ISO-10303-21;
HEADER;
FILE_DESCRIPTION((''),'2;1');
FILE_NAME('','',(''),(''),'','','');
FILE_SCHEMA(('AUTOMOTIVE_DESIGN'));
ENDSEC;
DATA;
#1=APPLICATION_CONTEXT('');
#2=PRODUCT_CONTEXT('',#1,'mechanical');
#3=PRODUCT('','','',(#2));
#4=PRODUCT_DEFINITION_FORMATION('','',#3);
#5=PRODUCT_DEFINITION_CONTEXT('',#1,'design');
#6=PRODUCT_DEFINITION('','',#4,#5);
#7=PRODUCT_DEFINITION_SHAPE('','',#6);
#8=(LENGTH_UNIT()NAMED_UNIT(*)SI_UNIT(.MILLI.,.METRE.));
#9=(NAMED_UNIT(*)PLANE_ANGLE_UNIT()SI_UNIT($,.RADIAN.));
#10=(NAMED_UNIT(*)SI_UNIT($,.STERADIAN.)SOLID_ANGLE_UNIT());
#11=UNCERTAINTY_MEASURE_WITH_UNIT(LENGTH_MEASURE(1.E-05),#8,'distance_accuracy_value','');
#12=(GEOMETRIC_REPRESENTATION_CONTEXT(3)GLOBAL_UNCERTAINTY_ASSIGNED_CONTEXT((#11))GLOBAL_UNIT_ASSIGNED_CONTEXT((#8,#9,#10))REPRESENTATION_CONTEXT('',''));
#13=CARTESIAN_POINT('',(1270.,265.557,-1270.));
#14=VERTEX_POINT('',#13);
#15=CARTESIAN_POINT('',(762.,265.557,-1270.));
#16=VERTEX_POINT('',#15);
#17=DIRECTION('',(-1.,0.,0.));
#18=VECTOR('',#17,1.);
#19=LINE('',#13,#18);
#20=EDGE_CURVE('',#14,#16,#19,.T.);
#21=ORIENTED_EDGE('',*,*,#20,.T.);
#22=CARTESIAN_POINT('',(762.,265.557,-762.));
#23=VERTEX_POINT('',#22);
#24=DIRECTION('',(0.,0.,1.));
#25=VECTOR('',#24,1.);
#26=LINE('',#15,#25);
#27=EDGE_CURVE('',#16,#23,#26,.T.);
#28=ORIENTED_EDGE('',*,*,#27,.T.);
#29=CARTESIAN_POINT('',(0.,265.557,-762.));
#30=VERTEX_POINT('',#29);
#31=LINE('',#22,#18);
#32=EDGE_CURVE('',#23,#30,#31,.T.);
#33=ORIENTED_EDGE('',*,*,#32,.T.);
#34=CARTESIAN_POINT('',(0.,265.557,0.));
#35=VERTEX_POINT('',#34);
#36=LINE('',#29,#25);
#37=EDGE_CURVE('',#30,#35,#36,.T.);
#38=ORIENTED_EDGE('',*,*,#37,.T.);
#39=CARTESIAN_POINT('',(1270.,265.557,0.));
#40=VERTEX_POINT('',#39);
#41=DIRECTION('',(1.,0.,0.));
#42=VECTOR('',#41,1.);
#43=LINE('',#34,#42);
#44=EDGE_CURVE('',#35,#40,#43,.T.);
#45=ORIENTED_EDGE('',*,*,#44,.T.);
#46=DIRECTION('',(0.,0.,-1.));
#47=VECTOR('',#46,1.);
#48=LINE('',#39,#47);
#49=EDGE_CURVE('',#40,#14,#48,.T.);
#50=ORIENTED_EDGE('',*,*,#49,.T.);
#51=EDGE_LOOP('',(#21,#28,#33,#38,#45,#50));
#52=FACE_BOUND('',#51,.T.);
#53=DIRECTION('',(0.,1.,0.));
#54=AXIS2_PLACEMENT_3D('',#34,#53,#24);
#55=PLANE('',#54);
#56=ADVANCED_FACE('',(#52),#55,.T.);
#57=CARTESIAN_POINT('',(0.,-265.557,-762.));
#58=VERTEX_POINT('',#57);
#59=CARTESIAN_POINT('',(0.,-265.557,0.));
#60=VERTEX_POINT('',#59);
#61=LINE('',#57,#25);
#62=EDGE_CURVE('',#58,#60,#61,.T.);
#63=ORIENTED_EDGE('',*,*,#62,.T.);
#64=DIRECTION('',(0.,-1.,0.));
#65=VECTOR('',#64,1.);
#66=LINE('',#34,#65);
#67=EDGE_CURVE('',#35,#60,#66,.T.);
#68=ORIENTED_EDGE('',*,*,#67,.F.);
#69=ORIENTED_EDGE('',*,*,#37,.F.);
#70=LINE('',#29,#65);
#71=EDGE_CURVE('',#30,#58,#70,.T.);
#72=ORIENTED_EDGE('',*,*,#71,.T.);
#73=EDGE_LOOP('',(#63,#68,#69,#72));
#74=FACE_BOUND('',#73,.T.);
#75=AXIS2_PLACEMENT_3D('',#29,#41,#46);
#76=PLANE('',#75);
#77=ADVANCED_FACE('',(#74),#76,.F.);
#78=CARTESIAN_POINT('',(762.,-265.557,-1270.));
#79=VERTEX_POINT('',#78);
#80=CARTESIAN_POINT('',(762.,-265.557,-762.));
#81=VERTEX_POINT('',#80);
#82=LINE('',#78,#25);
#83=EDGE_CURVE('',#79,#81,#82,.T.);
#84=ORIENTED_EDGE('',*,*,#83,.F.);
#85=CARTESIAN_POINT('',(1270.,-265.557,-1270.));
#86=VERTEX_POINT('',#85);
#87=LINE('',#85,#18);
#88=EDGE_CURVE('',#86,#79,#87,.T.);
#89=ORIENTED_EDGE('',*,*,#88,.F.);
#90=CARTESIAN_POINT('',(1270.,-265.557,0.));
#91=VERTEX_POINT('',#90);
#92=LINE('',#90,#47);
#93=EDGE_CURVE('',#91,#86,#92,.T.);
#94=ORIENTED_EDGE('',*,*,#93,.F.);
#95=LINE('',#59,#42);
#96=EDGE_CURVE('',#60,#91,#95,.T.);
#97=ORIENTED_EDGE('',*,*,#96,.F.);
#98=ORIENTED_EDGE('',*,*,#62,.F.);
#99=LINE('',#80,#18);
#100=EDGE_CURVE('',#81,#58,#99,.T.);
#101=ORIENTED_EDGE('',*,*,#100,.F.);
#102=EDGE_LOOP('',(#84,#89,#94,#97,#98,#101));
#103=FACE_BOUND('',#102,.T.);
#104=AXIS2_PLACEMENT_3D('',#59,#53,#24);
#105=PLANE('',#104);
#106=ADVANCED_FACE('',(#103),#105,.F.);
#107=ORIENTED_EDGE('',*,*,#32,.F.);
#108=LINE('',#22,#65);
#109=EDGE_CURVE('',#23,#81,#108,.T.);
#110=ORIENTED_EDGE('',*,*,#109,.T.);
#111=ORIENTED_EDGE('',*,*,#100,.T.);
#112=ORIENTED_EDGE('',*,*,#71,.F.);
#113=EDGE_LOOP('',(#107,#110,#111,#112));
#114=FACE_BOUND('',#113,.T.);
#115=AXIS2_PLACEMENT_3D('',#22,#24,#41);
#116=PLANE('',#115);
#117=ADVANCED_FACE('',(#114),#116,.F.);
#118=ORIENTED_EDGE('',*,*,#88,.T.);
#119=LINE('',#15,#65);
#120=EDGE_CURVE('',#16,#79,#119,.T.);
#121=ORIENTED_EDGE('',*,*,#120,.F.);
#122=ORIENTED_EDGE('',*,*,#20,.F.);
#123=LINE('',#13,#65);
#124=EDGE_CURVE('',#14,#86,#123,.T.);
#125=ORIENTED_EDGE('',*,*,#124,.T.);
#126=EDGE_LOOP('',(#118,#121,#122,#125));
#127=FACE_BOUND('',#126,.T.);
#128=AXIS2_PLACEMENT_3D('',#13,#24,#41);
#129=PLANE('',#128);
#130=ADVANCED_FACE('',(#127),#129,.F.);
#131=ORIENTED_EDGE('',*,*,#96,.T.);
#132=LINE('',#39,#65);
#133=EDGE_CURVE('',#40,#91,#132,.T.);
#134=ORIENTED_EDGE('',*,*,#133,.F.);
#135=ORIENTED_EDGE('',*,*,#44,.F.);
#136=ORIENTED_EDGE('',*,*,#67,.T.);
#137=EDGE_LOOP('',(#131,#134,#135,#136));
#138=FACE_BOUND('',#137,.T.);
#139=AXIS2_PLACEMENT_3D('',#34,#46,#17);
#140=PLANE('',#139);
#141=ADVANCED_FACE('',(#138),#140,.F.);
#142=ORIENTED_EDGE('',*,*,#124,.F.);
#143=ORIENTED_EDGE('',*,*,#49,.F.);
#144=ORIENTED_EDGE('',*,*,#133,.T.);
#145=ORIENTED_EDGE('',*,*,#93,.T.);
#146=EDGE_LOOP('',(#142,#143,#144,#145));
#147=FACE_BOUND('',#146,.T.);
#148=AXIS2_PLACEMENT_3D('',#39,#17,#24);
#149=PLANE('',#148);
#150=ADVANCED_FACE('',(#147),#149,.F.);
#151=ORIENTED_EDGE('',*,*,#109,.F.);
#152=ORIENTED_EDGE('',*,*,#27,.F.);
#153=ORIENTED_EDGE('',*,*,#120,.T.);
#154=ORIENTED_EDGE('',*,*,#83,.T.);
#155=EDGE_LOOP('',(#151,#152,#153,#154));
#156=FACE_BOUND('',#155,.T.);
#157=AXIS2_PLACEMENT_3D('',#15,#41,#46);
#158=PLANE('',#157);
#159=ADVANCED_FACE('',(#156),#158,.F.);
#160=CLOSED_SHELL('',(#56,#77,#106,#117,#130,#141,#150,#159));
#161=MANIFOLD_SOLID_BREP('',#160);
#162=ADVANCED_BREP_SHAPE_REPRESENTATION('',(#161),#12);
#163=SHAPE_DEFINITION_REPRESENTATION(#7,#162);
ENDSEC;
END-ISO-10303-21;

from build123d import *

# Parameters (mm, degrees)
BOSS_EXTRUDE1_DEPTH = 265.557


with BuildPart() as part:
    # Sketch2 → Boss-Extrude1 (new, symmetric)
    with BuildSketch(Plane(origin=(0, 0, 0), x_dir=(1, 0, 0), z_dir=(0, 1, 0))):
        Polygon((0, 0), (1270, 0), (1270, 1270), (762, 1270), (762, 762), (0, 762), align=None)
    extrude(amount=BOSS_EXTRUDE1_DEPTH, both=True)


solid = part.part
